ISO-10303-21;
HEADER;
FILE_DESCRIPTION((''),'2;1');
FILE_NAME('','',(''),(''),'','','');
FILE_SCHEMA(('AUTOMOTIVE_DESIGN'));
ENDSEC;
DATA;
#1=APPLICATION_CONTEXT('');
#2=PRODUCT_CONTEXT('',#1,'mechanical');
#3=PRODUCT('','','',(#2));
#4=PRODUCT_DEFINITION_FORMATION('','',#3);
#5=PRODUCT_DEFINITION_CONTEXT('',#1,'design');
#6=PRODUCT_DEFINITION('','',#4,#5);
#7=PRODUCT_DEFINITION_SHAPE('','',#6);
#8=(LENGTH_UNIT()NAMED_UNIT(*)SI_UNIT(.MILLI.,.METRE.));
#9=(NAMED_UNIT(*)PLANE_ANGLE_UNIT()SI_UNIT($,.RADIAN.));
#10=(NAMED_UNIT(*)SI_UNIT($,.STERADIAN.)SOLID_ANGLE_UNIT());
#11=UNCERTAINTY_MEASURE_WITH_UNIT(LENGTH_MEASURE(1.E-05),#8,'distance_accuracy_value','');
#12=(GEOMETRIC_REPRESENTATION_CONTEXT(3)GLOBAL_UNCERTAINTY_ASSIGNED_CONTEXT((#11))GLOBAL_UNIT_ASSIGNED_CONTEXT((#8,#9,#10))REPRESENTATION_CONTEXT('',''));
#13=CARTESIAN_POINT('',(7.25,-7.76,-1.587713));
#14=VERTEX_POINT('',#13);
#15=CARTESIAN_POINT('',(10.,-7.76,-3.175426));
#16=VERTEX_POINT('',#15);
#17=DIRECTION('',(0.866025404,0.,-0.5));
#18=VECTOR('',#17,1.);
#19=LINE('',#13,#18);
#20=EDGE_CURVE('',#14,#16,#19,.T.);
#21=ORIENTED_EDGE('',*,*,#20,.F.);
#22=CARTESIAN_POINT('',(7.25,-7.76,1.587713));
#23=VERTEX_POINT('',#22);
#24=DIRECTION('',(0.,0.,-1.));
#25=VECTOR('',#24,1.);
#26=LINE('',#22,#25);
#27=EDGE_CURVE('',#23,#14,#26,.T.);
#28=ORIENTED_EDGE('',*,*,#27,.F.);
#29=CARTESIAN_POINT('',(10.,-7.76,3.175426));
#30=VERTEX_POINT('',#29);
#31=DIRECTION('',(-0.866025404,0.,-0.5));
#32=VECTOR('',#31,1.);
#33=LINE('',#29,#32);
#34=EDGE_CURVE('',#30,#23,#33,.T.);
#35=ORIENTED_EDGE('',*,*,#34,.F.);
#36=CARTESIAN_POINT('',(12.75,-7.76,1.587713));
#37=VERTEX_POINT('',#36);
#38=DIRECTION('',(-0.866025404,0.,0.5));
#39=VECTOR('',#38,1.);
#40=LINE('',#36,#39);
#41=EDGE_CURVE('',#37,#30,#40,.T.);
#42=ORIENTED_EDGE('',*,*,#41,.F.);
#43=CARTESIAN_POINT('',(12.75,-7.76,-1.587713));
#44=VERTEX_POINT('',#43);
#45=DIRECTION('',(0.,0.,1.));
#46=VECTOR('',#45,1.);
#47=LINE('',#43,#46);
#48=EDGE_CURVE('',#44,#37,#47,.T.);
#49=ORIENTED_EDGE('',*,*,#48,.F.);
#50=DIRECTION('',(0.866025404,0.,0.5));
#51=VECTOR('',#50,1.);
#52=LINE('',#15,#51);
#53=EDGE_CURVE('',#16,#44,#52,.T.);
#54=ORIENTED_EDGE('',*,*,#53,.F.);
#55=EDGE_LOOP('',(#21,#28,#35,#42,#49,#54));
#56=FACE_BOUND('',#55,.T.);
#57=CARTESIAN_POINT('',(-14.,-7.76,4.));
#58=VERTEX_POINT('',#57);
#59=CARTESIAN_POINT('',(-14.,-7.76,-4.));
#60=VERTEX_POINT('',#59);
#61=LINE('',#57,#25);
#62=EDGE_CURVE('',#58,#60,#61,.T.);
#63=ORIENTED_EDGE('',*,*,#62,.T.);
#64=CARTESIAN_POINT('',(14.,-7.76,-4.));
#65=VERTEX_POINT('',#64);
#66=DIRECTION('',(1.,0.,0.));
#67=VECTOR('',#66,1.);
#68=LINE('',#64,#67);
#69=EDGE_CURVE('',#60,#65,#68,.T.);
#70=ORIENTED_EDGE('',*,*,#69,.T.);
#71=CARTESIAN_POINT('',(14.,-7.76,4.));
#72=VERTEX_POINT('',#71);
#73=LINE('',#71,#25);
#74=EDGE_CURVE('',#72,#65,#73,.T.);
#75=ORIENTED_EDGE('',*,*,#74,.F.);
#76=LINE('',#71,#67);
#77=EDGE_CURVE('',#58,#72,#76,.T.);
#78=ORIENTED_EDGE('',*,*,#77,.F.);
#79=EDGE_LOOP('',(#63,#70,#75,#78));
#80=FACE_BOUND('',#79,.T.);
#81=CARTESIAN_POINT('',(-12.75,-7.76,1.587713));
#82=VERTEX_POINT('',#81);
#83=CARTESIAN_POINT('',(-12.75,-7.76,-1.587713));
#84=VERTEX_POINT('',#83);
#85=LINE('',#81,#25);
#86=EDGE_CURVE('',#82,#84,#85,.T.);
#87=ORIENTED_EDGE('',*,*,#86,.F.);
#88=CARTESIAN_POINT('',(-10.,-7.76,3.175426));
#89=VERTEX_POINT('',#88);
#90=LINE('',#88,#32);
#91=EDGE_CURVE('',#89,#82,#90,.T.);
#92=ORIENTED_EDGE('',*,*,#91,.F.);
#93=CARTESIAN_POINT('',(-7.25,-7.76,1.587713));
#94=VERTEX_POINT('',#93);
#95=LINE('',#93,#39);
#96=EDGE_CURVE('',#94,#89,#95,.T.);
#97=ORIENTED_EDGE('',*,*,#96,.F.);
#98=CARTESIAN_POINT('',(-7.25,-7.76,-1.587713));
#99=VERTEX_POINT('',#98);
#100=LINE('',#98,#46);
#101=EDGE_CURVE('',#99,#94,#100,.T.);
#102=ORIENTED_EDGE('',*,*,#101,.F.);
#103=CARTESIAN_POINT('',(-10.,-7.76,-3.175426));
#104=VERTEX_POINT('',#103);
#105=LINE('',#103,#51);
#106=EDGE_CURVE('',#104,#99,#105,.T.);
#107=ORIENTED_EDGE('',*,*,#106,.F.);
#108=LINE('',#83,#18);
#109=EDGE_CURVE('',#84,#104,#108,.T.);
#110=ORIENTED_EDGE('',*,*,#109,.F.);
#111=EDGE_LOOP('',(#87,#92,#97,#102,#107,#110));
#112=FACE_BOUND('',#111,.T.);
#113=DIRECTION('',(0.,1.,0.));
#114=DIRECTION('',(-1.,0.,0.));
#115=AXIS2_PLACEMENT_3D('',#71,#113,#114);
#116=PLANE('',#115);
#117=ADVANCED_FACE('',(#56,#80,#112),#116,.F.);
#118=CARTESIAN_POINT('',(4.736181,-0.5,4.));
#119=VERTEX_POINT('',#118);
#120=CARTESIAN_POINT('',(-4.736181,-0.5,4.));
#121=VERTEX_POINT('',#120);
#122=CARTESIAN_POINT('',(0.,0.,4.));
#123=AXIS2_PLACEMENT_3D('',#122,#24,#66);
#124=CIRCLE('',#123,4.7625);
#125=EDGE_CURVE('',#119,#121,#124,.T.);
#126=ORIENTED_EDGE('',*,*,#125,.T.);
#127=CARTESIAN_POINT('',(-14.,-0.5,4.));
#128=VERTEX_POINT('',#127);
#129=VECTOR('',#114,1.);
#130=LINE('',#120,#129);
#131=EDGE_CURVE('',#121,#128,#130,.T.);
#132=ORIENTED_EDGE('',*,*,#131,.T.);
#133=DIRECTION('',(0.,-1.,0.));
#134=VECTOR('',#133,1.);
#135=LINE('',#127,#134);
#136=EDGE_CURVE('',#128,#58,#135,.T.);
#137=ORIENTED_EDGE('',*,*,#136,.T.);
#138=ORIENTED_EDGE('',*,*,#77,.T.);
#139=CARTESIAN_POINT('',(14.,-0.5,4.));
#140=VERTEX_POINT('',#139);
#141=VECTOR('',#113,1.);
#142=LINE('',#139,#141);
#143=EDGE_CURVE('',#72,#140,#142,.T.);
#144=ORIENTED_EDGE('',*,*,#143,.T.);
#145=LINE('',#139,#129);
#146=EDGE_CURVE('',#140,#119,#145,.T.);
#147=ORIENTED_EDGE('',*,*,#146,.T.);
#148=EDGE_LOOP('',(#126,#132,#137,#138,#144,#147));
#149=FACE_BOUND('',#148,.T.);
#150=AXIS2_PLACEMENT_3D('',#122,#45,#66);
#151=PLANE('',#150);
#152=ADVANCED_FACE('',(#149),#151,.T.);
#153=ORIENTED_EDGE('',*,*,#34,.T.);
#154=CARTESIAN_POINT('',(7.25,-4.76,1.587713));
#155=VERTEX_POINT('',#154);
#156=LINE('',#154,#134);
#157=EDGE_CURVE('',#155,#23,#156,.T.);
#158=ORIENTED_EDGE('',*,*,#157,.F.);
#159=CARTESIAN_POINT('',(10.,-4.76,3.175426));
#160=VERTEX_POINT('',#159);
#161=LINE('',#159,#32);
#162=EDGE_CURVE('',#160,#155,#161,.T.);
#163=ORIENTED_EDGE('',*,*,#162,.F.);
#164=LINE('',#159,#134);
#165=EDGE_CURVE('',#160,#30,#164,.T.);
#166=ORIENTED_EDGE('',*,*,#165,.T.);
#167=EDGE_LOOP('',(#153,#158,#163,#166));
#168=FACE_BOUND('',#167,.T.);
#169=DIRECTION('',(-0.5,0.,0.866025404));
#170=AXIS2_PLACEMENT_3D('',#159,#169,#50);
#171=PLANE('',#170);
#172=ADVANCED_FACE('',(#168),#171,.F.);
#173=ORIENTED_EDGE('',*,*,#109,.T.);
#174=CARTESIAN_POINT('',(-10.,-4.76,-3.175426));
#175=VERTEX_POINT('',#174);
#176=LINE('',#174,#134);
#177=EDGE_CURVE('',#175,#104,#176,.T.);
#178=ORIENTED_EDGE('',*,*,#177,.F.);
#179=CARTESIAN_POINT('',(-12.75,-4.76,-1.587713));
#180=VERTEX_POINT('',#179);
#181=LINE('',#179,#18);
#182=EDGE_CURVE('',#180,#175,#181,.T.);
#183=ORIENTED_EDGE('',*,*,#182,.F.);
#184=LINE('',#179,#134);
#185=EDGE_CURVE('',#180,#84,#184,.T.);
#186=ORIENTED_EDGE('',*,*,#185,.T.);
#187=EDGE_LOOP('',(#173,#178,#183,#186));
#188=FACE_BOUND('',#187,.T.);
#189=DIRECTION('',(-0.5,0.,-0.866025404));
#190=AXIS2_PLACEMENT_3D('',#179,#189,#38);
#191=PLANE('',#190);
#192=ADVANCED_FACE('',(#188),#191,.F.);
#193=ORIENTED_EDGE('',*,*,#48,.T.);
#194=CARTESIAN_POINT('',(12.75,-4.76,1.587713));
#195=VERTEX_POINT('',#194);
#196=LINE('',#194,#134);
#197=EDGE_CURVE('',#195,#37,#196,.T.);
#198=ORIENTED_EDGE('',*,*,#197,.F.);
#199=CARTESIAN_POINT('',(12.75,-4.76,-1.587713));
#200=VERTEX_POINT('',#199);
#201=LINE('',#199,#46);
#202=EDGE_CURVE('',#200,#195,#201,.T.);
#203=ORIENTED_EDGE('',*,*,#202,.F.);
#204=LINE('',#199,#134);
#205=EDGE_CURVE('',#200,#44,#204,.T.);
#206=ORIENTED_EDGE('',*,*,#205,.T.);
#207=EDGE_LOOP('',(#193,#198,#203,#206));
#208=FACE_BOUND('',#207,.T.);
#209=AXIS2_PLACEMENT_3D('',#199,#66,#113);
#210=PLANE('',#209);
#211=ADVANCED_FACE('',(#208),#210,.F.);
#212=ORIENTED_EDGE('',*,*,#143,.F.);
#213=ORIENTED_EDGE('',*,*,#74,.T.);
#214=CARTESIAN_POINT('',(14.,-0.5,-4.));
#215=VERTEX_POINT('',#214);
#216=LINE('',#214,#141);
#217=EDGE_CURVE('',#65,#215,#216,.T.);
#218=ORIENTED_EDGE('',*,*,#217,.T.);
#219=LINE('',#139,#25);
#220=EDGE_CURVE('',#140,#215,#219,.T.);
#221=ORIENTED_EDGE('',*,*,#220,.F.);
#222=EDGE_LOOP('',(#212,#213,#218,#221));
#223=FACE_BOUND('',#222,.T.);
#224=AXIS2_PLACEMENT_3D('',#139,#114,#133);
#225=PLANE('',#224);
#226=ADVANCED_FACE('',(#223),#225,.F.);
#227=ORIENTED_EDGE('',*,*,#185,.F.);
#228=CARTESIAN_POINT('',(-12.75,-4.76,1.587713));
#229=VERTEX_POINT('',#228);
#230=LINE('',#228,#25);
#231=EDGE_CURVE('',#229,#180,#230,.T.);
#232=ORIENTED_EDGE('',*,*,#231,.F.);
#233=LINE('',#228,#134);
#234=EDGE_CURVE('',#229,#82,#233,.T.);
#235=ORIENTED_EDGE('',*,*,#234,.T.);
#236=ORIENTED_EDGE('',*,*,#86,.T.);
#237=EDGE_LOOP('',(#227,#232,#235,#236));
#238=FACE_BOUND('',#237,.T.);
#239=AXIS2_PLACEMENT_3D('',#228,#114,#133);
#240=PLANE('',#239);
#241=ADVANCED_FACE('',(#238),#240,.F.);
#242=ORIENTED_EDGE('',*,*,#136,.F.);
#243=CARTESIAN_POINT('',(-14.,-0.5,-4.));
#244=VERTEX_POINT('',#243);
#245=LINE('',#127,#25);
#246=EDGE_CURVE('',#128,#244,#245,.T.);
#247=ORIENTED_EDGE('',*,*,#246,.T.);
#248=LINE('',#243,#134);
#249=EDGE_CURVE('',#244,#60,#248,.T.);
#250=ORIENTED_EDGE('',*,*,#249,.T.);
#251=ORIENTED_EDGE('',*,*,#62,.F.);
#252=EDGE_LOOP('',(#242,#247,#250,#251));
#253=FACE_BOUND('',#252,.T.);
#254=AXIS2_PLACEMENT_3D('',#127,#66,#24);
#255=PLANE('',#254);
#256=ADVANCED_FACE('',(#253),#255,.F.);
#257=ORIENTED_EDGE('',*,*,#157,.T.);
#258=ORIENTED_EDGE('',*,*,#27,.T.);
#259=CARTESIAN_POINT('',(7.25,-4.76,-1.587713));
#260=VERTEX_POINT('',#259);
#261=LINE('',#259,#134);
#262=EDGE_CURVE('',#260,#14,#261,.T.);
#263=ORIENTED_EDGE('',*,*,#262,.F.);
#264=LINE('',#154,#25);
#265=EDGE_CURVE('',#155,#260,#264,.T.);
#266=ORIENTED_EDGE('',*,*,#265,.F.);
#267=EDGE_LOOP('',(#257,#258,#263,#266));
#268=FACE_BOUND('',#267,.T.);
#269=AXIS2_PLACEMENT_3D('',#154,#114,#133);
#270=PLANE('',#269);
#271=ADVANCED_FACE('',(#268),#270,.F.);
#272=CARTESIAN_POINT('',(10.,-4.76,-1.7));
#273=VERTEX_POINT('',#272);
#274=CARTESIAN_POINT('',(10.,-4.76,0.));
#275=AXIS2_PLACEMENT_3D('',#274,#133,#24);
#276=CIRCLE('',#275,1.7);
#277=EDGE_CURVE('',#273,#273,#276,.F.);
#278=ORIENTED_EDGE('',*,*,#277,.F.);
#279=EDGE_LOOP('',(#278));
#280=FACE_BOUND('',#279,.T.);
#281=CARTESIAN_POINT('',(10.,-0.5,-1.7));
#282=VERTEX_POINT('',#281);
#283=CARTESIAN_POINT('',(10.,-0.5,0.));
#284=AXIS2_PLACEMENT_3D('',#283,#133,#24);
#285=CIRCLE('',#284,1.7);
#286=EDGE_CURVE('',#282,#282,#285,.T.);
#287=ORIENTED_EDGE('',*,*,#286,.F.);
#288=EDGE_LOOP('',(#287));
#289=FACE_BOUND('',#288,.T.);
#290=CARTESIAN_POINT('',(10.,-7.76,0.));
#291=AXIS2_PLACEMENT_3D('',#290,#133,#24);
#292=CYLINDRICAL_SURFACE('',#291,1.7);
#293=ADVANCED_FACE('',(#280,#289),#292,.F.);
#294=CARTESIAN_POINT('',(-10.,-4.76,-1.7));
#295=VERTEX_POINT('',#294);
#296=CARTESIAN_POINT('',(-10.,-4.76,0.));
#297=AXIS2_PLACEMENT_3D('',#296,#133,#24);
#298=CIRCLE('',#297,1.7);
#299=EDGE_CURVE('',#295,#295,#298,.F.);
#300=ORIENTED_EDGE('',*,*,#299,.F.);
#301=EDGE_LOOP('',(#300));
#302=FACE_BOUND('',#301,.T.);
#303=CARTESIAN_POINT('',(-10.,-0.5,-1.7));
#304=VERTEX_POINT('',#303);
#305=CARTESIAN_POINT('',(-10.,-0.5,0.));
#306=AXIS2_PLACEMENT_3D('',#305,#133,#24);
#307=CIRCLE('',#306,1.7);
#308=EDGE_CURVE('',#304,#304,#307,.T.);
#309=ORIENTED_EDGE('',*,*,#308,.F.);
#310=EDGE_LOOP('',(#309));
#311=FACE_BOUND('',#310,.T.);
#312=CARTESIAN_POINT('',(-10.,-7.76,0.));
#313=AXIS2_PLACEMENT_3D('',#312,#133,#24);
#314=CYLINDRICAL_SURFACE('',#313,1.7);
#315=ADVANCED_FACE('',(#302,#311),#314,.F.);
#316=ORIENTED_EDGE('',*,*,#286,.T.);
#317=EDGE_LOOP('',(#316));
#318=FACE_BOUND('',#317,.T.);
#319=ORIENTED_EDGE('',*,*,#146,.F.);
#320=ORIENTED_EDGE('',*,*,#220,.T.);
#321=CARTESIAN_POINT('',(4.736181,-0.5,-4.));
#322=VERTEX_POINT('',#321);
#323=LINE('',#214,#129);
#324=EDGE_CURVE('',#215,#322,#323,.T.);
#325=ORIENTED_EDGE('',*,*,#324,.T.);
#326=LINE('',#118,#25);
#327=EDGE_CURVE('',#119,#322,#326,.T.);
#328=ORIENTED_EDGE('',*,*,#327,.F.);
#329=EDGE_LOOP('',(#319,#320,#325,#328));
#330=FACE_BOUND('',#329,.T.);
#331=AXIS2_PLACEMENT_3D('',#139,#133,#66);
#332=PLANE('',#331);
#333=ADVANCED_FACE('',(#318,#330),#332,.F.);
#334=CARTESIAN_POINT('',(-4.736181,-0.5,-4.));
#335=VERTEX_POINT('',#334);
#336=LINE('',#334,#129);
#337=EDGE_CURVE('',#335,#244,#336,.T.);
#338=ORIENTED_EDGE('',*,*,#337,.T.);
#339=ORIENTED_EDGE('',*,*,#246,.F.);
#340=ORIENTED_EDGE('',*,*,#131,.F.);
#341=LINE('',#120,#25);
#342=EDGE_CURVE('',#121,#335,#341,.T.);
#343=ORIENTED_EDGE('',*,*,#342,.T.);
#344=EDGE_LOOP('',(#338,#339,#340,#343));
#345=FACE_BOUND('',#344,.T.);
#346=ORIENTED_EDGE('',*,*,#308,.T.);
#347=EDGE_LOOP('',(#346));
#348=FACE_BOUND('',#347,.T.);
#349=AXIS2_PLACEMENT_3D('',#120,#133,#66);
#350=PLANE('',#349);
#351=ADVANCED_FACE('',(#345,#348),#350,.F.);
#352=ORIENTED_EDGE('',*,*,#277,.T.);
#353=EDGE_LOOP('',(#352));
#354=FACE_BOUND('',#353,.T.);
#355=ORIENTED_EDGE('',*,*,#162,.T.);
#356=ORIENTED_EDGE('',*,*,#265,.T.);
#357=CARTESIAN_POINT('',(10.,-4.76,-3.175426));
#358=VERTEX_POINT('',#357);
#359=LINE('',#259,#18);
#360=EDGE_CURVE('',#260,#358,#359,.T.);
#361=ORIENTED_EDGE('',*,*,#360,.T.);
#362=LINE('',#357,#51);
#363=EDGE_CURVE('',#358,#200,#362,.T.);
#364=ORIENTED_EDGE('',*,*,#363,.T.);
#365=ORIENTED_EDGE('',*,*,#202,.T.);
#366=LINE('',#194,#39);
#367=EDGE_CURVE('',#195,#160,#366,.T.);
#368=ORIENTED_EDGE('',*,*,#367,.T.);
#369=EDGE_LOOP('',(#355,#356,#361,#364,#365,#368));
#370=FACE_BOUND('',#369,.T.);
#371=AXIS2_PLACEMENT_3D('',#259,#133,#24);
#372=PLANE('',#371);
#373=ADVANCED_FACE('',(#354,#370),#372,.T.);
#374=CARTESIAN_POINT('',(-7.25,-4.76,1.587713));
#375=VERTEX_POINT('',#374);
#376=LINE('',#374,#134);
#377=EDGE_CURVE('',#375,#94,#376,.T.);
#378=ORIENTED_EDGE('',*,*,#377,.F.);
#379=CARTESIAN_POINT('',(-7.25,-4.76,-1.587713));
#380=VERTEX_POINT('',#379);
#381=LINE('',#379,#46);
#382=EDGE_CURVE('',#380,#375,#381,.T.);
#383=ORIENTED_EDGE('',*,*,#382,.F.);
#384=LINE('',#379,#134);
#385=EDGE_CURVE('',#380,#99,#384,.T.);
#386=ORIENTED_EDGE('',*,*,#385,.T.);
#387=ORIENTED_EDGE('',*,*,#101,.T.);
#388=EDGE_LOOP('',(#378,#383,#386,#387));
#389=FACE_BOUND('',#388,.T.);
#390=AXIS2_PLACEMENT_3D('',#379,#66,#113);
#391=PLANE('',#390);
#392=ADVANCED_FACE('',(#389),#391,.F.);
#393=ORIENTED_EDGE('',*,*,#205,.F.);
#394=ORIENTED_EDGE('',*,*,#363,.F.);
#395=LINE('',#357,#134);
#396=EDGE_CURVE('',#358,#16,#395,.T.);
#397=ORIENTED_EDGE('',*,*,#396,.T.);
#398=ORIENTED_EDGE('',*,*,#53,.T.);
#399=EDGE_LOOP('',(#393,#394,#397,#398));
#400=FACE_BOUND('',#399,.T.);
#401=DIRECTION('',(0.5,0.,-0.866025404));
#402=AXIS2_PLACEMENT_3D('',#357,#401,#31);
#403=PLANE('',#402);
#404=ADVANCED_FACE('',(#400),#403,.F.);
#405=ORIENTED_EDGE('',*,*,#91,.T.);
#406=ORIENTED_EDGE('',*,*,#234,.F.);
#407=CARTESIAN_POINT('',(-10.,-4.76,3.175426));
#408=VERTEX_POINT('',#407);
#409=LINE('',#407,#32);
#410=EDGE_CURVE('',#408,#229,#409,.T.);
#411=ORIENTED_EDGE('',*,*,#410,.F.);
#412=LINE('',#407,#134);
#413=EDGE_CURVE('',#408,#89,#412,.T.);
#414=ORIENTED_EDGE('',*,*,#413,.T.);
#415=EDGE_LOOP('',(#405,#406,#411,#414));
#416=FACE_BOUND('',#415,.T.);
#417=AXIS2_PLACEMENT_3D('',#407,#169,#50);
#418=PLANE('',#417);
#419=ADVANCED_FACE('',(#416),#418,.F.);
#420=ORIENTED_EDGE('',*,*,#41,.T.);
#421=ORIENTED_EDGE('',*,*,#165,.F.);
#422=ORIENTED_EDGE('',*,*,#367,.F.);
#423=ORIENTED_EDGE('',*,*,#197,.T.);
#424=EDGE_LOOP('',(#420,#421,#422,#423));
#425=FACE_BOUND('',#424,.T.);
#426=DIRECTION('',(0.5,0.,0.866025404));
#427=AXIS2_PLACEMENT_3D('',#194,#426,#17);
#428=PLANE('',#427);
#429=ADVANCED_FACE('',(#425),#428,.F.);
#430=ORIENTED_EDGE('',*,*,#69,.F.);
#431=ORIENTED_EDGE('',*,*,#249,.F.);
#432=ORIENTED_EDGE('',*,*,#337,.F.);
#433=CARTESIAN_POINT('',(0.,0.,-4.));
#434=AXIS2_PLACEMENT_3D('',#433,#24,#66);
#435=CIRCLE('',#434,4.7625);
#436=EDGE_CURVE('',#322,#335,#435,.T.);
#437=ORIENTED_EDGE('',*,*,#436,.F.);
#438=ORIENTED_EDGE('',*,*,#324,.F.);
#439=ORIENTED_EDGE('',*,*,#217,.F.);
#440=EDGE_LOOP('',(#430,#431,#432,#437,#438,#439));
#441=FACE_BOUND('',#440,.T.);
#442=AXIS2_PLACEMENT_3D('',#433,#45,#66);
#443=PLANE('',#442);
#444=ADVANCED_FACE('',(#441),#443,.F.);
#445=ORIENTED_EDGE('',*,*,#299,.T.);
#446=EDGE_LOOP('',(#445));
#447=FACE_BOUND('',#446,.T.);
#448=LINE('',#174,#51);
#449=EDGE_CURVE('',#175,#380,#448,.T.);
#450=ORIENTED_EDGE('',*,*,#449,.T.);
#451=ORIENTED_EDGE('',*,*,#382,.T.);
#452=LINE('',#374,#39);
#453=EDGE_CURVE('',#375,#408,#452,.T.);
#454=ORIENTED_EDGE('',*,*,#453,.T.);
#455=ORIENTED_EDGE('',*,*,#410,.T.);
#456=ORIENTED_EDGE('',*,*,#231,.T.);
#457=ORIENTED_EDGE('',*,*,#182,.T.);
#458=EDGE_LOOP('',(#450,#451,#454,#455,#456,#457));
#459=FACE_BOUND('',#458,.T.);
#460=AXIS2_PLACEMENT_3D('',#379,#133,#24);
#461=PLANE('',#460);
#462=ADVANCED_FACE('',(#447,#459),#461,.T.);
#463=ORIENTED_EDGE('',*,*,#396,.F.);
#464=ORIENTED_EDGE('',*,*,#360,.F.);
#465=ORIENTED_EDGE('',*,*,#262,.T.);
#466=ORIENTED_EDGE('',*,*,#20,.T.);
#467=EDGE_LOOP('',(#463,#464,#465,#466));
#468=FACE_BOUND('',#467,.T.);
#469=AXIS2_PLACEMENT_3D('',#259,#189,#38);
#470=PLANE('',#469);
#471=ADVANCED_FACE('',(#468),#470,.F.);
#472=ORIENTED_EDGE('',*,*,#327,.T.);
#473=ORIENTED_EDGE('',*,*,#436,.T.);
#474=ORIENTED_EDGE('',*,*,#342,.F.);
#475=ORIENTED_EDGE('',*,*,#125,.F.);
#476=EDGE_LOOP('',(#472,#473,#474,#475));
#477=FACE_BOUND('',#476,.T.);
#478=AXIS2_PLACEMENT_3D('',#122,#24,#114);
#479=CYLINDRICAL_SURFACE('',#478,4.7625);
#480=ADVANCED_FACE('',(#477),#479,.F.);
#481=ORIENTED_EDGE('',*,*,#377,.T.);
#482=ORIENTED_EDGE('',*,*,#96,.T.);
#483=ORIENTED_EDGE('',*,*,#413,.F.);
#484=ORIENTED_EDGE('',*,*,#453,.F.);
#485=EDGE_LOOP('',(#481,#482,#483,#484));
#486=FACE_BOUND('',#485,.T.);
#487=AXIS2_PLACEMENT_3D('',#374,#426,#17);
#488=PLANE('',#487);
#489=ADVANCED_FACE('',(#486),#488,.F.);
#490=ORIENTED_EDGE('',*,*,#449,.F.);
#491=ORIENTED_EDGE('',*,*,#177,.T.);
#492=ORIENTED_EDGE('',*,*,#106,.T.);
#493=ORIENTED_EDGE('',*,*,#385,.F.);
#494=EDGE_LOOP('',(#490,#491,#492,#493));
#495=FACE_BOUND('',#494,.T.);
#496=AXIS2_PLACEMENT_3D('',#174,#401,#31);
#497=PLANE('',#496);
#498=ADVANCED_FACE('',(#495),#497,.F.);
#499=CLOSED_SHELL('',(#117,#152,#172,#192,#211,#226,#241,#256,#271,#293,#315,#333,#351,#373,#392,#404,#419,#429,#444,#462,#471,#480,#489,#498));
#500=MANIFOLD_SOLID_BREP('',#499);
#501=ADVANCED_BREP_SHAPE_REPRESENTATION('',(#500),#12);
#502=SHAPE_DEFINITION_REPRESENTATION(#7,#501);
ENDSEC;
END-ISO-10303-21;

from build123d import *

# Parameters (mm, degrees)
BOSS_EXTRUDE1_DEPTH  = 4
M3_CLEARANCE_HOLE1_D = 3.4
CUT_EXTRUDE1_DEPTH   = 3


with BuildPart() as part:
    # Sketch1 → Boss-Extrude1 (new, symmetric)
    with BuildSketch(Plane.XY):
        with BuildLine():
            Line((14, -0.5), (4.736180555, -0.5))
            ThreePointArc((4.736180555, -0.5), (0, -4.7625), (-4.736180555, -0.5))
            Line((-4.736180555, -0.5), (-14, -0.5))
            Line((-14, -0.5), (-14, -7.76))
            Line((-14, -7.76), (14, -7.76))
            Line((14, -7.76), (14, -0.5))
        make_face()
    extrude(amount=BOSS_EXTRUDE1_DEPTH, both=True)

    # M3 Clearance Hole1 (through all)
    with Locations(Plane.XZ.offset(7.76)):
        with Locations((-10, 0), (10, 0)):
            Hole(M3_CLEARANCE_HOLE1_D / 2)

    # Sketch5 → Cut-Extrude1 (cut)
    with BuildSketch(Plane.XZ.offset(7.76)):
        Polygon((-7.25, -1.58771324), (-7.25, 1.58771324), (-10, 3.175426481), (-12.75, 1.58771324), (-12.75, -1.58771324), (-10, -3.175426481), align=None)
        Polygon((7.25, -1.58771324), (10, -3.175426481), (12.75, -1.58771324), (12.75, 1.58771324), (10, 3.175426481), (7.25, 1.58771324), align=None)
    extrude(amount=-CUT_EXTRUDE1_DEPTH, mode=Mode.SUBTRACT)


solid = part.part
